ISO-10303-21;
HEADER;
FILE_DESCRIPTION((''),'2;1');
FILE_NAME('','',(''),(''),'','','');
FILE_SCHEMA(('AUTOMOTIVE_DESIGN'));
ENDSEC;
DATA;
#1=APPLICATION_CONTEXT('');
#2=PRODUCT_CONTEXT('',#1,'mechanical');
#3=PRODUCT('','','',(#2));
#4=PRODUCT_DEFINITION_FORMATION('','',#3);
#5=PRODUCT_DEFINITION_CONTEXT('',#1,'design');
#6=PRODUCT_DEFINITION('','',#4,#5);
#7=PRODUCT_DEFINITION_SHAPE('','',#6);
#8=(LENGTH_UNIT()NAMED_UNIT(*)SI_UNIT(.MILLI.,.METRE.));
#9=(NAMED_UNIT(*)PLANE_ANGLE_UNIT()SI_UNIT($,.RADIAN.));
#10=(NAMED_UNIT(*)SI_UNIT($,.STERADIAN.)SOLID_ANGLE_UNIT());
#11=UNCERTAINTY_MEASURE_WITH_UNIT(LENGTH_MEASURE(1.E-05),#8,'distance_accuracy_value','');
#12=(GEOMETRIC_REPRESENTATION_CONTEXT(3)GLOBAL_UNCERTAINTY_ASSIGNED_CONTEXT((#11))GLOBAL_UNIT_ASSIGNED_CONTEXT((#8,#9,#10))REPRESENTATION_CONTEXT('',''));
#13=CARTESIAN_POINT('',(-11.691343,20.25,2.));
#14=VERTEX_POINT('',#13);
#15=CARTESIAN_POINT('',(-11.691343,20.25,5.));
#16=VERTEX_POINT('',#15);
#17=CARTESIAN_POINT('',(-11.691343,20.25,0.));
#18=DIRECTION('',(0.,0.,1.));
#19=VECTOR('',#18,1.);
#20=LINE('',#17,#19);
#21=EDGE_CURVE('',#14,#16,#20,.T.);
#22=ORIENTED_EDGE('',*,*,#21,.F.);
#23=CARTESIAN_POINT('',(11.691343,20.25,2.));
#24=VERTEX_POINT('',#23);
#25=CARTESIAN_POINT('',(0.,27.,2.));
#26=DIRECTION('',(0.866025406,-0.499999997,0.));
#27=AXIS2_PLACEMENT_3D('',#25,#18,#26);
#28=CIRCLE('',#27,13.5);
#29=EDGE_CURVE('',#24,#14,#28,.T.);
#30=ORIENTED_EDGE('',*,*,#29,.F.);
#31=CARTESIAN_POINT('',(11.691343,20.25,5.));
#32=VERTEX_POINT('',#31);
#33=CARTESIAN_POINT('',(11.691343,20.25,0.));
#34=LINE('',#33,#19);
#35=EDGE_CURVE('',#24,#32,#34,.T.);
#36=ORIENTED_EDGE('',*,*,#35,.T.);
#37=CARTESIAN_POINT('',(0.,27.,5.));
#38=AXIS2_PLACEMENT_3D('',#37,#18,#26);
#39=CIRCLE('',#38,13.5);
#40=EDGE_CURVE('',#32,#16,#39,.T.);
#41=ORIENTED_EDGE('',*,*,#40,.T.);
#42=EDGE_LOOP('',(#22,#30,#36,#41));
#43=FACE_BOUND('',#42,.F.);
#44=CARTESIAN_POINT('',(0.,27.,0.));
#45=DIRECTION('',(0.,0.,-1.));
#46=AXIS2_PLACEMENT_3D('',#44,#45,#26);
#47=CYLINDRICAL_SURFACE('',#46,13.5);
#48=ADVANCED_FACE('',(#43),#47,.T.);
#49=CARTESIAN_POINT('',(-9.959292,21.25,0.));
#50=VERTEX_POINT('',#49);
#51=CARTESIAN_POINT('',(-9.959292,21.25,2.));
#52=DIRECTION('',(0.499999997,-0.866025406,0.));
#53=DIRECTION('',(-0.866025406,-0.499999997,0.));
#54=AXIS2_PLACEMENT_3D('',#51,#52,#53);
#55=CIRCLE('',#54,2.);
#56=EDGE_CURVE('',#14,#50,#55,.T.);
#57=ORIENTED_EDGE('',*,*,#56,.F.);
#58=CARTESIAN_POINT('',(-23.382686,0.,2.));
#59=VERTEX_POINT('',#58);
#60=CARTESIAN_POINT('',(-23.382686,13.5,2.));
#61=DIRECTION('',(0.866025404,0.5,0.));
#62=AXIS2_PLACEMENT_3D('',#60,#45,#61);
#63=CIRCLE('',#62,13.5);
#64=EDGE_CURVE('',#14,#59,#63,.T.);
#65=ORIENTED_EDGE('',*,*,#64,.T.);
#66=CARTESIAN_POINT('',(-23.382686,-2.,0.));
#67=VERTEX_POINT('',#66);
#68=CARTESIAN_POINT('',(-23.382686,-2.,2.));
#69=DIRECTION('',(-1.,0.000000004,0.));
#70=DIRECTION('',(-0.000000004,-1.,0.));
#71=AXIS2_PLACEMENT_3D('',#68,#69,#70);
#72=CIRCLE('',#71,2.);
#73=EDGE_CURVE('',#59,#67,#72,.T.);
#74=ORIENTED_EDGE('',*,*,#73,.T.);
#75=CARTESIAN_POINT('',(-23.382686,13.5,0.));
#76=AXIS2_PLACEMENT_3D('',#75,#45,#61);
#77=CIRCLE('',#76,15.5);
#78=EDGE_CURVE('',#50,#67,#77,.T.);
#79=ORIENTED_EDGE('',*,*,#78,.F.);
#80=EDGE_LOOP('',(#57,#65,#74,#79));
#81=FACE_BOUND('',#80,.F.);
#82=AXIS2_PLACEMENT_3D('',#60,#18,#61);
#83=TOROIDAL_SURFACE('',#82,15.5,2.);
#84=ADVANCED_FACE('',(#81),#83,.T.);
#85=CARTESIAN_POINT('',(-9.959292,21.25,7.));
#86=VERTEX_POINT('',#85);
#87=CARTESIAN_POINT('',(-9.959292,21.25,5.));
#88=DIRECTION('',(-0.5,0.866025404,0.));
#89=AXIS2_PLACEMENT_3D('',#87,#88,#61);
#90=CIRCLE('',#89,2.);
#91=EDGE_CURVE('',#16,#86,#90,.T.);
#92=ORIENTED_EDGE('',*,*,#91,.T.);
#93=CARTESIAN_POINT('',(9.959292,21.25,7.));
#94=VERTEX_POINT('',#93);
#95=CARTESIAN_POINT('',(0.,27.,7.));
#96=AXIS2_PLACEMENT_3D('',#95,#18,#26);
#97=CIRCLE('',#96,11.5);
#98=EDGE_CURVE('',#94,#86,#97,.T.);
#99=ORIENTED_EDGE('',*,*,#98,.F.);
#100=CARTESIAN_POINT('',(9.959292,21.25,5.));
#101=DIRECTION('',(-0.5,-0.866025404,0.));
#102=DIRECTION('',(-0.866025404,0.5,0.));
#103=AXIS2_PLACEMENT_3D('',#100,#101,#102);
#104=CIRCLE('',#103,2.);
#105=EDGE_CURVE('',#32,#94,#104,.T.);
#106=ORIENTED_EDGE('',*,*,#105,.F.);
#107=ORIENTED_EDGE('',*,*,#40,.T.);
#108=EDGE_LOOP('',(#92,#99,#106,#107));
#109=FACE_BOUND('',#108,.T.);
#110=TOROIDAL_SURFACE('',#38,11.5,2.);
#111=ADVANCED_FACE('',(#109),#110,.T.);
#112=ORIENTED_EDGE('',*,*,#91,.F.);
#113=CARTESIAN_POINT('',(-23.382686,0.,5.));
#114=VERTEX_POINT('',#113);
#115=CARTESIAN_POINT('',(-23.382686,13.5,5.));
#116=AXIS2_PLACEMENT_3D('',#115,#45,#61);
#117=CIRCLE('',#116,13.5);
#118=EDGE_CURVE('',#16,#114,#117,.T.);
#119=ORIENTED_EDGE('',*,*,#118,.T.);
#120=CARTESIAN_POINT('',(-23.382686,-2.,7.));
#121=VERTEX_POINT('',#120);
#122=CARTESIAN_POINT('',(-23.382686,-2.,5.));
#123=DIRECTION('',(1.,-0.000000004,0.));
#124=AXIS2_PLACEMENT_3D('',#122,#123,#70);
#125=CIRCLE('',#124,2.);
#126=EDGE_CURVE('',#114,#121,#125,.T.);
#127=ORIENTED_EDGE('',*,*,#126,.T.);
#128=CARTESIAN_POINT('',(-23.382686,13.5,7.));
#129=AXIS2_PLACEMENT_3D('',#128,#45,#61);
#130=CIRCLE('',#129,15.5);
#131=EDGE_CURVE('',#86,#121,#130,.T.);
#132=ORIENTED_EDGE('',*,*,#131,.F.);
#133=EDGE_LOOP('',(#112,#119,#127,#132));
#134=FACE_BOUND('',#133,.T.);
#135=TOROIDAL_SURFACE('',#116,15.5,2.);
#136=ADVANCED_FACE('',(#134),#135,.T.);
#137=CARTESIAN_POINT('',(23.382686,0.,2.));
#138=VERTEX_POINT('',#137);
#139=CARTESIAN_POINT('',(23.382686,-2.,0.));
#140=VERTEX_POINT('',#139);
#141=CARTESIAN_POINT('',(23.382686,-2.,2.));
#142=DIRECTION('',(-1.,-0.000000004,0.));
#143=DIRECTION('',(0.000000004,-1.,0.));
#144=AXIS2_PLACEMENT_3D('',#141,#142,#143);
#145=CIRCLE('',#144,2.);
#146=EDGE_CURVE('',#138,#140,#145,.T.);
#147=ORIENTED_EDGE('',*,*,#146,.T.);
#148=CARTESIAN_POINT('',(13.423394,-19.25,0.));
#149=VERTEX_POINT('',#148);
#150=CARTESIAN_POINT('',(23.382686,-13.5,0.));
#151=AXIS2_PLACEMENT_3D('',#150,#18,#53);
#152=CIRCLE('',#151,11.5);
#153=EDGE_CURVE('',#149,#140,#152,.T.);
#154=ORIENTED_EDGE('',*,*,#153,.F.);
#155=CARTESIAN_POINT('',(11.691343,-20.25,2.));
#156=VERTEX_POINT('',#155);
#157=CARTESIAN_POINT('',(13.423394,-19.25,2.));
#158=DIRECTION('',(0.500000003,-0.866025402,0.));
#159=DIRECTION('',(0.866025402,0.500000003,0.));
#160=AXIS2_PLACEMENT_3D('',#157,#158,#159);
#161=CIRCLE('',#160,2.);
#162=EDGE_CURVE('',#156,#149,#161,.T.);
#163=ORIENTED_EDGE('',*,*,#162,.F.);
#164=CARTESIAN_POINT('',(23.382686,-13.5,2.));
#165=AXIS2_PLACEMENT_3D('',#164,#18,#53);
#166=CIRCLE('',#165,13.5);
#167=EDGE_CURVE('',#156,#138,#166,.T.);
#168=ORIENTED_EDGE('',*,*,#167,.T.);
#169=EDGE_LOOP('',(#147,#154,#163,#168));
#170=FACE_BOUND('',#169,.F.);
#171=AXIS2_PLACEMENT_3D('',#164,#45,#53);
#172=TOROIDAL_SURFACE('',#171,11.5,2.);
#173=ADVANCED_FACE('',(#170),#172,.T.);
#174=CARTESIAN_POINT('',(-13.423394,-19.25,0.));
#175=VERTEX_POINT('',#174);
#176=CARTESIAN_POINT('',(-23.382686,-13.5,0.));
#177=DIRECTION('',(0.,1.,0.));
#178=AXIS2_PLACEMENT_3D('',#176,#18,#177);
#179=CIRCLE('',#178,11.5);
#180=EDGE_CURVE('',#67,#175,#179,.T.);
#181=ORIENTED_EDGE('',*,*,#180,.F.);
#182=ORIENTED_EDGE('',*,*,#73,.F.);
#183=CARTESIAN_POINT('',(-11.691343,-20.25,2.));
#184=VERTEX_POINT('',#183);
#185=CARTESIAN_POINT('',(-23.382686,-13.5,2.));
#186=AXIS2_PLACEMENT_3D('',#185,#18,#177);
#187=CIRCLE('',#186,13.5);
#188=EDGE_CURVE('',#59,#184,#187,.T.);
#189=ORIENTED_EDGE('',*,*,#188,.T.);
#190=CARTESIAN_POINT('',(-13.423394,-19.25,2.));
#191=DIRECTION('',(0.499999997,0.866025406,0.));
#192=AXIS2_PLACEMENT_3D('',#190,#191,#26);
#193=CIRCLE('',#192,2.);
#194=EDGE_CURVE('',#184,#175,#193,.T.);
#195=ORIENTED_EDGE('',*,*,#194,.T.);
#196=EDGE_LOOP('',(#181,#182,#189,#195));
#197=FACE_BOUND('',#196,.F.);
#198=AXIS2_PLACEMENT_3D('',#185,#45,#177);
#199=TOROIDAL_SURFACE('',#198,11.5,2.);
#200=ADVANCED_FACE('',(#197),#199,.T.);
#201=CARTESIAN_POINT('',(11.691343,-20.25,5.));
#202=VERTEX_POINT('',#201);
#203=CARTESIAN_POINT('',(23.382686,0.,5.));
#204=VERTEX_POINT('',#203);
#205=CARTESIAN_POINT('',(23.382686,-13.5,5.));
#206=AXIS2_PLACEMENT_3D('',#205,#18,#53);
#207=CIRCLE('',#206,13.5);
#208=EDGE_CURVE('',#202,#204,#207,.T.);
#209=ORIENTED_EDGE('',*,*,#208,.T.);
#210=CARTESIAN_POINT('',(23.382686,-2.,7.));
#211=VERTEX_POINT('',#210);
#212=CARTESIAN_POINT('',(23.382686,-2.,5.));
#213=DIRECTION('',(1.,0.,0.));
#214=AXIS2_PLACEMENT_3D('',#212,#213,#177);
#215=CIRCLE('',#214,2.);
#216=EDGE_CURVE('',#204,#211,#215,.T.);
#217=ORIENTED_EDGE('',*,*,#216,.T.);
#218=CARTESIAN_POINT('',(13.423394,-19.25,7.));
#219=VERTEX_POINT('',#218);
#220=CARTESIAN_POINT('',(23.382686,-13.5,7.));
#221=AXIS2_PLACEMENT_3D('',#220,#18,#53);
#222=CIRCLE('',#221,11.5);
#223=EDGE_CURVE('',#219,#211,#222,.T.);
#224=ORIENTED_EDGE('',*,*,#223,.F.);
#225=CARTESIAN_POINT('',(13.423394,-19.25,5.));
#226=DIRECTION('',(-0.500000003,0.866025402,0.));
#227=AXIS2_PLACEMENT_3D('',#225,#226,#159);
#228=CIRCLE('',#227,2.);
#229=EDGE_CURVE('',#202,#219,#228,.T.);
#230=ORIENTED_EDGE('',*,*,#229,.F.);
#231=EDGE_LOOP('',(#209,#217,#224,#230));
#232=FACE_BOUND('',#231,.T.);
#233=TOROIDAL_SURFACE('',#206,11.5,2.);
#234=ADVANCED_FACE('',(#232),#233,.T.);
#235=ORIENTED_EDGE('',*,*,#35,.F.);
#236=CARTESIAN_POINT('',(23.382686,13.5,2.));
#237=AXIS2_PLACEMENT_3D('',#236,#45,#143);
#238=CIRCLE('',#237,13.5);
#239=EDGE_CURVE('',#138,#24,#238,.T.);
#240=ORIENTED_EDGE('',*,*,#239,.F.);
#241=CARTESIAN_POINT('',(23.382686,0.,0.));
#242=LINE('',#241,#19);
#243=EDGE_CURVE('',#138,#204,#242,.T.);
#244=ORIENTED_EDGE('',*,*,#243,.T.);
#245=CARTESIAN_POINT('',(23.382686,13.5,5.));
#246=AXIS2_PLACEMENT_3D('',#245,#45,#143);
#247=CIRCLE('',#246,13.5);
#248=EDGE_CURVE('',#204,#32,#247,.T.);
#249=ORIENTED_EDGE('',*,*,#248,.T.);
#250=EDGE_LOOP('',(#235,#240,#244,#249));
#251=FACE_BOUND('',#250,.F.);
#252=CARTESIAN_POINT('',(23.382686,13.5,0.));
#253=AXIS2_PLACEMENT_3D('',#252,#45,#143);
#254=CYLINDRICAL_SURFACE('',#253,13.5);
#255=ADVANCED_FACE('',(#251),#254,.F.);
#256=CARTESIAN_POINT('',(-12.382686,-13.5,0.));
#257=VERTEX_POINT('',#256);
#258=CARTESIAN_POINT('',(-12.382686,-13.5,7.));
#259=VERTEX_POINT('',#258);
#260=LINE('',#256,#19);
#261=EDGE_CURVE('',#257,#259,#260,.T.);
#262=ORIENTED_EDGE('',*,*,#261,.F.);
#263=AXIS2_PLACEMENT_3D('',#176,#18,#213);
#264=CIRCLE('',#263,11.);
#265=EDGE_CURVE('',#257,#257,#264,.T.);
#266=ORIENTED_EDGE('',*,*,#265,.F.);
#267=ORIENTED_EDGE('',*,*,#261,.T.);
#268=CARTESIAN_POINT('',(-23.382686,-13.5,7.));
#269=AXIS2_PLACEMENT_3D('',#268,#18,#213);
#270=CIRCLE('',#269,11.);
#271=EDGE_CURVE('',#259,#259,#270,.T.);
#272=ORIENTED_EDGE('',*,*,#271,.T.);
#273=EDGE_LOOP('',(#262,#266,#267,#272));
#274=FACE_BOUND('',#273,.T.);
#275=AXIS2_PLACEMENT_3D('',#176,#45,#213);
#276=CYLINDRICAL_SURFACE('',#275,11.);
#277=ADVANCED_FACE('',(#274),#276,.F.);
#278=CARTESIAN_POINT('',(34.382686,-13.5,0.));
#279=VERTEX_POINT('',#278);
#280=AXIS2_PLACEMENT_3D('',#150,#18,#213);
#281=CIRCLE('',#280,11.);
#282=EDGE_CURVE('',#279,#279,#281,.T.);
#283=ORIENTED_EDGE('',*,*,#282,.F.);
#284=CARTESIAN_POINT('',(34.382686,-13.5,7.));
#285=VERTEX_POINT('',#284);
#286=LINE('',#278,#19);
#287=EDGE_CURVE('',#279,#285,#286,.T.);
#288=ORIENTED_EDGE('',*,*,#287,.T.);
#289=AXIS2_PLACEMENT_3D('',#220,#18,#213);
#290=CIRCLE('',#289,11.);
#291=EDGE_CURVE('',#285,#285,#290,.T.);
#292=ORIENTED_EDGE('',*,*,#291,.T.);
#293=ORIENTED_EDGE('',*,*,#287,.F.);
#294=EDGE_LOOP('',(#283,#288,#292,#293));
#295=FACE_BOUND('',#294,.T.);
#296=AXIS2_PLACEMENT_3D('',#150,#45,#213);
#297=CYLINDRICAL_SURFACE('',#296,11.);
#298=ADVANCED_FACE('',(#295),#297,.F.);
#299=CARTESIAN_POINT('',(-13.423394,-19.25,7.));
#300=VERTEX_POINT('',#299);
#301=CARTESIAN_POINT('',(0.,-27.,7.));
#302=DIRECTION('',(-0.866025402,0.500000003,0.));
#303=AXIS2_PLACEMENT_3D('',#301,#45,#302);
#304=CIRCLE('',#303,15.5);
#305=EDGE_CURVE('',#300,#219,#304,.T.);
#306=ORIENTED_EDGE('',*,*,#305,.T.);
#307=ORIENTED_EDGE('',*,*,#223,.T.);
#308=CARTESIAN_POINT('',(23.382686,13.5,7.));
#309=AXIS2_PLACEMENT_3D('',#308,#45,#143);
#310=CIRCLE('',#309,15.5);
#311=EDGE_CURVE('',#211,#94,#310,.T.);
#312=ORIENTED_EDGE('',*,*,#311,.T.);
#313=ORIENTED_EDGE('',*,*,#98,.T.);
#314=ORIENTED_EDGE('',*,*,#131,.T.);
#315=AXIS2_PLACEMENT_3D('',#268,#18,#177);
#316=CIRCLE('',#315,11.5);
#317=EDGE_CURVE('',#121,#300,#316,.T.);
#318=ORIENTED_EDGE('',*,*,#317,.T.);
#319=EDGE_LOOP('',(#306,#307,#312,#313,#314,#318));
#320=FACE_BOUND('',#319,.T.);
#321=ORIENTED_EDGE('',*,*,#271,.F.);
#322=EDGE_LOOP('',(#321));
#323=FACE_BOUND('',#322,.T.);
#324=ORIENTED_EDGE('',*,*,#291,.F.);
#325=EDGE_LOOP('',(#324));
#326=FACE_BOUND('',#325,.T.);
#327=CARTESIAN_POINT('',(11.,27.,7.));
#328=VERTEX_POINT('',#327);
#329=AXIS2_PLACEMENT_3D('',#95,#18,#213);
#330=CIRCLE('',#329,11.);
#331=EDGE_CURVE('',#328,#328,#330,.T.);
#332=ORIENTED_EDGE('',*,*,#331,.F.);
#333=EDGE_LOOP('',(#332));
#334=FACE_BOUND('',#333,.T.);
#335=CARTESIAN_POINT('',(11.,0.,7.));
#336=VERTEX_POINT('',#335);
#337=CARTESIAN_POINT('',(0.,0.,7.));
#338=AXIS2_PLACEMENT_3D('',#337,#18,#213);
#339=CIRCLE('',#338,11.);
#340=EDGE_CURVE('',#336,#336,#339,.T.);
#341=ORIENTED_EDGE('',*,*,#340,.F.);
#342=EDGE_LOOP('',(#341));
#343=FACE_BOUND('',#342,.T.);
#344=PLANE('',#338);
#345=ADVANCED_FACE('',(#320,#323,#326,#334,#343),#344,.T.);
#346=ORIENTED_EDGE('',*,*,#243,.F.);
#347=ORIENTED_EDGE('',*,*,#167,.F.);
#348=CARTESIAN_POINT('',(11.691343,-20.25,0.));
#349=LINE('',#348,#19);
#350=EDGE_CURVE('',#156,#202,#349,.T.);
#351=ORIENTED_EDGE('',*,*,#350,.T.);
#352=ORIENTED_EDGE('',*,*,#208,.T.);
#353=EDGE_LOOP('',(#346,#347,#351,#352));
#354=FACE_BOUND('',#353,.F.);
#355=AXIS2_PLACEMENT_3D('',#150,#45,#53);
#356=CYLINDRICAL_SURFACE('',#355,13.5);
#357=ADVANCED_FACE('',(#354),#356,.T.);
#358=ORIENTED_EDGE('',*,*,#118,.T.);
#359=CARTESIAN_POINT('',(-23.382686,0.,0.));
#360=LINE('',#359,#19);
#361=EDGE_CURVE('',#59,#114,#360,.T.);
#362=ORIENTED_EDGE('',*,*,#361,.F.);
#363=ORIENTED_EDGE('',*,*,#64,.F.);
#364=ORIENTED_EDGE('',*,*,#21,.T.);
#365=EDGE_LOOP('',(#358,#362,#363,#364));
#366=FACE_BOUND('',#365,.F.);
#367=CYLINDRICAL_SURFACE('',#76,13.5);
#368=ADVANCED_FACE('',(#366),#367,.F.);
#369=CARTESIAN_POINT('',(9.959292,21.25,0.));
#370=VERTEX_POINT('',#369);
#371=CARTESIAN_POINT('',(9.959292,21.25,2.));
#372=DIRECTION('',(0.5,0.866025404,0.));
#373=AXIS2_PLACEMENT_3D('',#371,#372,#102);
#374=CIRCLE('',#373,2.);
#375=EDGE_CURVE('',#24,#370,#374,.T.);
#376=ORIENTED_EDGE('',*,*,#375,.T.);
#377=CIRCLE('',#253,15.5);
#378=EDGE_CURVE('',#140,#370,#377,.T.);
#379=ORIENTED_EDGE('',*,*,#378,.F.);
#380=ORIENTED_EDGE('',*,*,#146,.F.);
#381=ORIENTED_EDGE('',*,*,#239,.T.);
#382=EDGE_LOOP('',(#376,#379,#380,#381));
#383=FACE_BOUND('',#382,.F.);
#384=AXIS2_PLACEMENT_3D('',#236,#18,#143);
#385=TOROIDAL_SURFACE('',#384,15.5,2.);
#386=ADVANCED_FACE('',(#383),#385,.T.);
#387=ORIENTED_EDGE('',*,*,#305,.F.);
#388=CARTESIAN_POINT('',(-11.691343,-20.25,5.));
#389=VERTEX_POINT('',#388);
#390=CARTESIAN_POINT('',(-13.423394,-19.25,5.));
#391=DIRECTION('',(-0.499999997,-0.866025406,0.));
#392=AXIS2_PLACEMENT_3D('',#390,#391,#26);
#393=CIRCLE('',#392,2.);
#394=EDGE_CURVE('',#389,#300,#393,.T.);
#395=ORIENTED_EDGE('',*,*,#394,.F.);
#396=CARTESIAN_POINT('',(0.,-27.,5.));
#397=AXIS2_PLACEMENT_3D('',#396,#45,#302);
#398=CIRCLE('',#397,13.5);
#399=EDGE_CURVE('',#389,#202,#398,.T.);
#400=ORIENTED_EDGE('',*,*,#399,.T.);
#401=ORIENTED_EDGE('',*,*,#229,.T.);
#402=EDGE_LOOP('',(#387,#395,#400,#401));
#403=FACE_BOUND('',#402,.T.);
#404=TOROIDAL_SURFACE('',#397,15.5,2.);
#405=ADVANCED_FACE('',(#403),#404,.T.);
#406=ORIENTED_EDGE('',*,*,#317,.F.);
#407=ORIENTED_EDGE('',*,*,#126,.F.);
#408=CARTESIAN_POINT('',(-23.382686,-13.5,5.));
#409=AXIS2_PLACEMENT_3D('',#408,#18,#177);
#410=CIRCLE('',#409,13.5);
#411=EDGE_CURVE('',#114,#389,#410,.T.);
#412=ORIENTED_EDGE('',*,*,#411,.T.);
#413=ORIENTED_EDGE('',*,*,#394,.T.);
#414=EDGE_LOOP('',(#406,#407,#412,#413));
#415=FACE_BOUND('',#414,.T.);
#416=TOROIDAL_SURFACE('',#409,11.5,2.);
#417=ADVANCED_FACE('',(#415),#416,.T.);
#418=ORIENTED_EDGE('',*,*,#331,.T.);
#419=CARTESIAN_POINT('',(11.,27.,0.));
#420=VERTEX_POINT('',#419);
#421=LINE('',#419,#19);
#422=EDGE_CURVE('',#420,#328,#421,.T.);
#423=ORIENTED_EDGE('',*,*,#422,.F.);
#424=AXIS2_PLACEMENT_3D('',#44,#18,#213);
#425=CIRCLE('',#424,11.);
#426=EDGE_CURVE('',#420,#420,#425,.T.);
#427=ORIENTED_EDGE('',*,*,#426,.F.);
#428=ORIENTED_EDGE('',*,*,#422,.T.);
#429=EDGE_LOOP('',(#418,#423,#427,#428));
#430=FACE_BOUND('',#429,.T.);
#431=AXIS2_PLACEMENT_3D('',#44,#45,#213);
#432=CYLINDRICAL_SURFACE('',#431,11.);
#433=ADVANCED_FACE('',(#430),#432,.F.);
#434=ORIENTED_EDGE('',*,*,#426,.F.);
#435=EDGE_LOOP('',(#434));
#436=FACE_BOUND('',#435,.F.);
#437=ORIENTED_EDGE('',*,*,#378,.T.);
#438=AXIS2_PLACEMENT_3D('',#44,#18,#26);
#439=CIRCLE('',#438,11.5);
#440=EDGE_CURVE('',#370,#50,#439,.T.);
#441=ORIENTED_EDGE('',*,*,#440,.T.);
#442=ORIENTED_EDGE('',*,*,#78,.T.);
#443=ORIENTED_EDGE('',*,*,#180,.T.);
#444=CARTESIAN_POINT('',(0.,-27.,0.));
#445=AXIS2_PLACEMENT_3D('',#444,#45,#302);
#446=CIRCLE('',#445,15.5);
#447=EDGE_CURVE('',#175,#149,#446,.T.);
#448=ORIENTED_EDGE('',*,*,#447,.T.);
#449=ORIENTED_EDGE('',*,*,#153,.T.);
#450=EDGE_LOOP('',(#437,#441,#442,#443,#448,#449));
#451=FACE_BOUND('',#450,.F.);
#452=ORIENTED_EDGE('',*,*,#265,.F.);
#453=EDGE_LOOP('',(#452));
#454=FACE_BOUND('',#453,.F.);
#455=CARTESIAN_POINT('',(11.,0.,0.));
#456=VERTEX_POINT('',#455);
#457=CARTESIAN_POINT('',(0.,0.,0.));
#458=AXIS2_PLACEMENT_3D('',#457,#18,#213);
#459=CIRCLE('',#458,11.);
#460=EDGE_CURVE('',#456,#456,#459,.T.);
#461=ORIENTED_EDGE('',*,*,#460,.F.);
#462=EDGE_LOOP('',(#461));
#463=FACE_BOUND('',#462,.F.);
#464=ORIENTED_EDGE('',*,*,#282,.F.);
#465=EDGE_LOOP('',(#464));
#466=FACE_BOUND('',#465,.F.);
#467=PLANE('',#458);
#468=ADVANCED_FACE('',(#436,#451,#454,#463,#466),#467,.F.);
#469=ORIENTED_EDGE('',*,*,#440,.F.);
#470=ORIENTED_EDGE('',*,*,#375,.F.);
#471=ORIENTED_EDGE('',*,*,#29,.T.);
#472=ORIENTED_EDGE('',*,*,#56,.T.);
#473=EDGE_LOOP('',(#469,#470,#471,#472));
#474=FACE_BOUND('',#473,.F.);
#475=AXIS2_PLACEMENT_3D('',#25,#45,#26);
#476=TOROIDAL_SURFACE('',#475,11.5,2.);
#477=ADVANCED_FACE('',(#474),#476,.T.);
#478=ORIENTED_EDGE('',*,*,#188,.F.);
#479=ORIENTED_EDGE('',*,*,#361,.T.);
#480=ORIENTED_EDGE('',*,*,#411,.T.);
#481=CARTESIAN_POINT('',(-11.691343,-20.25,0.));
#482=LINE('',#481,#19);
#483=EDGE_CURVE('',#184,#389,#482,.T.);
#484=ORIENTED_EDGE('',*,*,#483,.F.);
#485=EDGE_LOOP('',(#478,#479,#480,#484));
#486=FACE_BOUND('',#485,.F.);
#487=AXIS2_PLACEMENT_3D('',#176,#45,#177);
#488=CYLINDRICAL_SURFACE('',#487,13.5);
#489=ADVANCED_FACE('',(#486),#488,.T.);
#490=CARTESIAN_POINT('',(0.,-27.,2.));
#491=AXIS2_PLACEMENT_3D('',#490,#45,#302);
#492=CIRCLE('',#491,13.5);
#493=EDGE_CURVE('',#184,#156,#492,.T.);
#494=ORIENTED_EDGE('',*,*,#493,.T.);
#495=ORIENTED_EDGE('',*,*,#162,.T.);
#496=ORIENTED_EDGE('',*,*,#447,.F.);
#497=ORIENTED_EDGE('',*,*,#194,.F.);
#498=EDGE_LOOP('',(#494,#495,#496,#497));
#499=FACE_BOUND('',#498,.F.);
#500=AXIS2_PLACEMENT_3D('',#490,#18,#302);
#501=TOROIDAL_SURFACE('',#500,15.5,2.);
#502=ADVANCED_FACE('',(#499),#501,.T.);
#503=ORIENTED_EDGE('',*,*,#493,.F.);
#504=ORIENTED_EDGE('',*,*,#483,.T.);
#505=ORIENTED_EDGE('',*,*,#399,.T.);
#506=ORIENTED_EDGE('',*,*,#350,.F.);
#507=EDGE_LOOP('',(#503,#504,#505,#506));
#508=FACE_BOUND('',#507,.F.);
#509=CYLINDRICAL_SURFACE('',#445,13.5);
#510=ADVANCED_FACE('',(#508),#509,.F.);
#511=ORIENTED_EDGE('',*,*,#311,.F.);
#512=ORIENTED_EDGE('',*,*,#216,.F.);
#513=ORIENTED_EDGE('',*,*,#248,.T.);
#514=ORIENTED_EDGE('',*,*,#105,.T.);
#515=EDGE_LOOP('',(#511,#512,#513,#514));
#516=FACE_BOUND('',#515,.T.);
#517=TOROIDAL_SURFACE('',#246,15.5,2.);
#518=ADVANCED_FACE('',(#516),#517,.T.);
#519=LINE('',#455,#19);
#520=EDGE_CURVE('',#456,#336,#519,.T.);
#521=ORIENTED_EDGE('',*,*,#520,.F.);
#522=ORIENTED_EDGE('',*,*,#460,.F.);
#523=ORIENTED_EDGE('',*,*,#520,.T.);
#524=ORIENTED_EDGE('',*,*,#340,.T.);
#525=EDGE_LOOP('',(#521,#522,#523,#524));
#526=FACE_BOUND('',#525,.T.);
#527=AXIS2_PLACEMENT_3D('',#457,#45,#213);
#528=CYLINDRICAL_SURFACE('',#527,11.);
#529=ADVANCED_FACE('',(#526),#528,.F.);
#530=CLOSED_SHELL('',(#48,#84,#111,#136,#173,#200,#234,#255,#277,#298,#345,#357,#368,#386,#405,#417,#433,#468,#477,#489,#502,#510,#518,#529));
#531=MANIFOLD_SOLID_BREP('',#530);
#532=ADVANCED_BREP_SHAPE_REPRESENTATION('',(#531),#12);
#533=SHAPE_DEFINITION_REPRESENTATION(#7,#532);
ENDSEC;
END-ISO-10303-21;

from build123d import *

# Parameters (mm, degrees)
F0_R     = 11
F1_DEPTH = 7
F2_R     = 2
F3_R     = 2


with BuildPart() as f1:
    # F0 (on Top) → F1 (new body)
    with BuildSketch(Plane.XY):
        with BuildLine():
            ThreePointArc((23.382686, 0), (11.691343, 6.75), (11.691343, 20.25))
            ThreePointArc((11.691343, 20.25), (0, 40.5), (-11.691343, 20.25))
            ThreePointArc((-11.691343, 20.25), (-11.691343, 6.75), (-23.382686, 0))
            ThreePointArc((-23.382686, 0), (-35.074029, -20.25), (-11.691343, -20.25))
            ThreePointArc((-11.691343, -20.25), (0, -13.5), (11.691343, -20.25))
            ThreePointArc((11.691343, -20.25), (35.074029, -20.25), (23.382686, 0))
        make_face()
        with Locations((-23.382686, -13.5)):
            Circle(F0_R, mode=Mode.SUBTRACT)
        with Locations((23.382686, -13.5)):
            Circle(F0_R, mode=Mode.SUBTRACT)
        Circle(F0_R, mode=Mode.SUBTRACT)
        with Locations((0, 27)):
            Circle(F0_R, mode=Mode.SUBTRACT)
    extrude(amount=F1_DEPTH)

    # F2
    f2_edges = [f1.edges().sort_by_distance(p)[0] for p in [
        (-11.691343, 6.75, 7),
        (11.691343, 6.75, 7),
        (0, -13.5, 7),
    ]]
    fillet(f2_edges, radius=F2_R)

    # F3
    f3_edges = [f1.edges().sort_by_distance(p)[0] for p in [
        (11.691343, 6.75, 0),
    ]]
    fillet(f3_edges, radius=F3_R)


solid = f1.part
